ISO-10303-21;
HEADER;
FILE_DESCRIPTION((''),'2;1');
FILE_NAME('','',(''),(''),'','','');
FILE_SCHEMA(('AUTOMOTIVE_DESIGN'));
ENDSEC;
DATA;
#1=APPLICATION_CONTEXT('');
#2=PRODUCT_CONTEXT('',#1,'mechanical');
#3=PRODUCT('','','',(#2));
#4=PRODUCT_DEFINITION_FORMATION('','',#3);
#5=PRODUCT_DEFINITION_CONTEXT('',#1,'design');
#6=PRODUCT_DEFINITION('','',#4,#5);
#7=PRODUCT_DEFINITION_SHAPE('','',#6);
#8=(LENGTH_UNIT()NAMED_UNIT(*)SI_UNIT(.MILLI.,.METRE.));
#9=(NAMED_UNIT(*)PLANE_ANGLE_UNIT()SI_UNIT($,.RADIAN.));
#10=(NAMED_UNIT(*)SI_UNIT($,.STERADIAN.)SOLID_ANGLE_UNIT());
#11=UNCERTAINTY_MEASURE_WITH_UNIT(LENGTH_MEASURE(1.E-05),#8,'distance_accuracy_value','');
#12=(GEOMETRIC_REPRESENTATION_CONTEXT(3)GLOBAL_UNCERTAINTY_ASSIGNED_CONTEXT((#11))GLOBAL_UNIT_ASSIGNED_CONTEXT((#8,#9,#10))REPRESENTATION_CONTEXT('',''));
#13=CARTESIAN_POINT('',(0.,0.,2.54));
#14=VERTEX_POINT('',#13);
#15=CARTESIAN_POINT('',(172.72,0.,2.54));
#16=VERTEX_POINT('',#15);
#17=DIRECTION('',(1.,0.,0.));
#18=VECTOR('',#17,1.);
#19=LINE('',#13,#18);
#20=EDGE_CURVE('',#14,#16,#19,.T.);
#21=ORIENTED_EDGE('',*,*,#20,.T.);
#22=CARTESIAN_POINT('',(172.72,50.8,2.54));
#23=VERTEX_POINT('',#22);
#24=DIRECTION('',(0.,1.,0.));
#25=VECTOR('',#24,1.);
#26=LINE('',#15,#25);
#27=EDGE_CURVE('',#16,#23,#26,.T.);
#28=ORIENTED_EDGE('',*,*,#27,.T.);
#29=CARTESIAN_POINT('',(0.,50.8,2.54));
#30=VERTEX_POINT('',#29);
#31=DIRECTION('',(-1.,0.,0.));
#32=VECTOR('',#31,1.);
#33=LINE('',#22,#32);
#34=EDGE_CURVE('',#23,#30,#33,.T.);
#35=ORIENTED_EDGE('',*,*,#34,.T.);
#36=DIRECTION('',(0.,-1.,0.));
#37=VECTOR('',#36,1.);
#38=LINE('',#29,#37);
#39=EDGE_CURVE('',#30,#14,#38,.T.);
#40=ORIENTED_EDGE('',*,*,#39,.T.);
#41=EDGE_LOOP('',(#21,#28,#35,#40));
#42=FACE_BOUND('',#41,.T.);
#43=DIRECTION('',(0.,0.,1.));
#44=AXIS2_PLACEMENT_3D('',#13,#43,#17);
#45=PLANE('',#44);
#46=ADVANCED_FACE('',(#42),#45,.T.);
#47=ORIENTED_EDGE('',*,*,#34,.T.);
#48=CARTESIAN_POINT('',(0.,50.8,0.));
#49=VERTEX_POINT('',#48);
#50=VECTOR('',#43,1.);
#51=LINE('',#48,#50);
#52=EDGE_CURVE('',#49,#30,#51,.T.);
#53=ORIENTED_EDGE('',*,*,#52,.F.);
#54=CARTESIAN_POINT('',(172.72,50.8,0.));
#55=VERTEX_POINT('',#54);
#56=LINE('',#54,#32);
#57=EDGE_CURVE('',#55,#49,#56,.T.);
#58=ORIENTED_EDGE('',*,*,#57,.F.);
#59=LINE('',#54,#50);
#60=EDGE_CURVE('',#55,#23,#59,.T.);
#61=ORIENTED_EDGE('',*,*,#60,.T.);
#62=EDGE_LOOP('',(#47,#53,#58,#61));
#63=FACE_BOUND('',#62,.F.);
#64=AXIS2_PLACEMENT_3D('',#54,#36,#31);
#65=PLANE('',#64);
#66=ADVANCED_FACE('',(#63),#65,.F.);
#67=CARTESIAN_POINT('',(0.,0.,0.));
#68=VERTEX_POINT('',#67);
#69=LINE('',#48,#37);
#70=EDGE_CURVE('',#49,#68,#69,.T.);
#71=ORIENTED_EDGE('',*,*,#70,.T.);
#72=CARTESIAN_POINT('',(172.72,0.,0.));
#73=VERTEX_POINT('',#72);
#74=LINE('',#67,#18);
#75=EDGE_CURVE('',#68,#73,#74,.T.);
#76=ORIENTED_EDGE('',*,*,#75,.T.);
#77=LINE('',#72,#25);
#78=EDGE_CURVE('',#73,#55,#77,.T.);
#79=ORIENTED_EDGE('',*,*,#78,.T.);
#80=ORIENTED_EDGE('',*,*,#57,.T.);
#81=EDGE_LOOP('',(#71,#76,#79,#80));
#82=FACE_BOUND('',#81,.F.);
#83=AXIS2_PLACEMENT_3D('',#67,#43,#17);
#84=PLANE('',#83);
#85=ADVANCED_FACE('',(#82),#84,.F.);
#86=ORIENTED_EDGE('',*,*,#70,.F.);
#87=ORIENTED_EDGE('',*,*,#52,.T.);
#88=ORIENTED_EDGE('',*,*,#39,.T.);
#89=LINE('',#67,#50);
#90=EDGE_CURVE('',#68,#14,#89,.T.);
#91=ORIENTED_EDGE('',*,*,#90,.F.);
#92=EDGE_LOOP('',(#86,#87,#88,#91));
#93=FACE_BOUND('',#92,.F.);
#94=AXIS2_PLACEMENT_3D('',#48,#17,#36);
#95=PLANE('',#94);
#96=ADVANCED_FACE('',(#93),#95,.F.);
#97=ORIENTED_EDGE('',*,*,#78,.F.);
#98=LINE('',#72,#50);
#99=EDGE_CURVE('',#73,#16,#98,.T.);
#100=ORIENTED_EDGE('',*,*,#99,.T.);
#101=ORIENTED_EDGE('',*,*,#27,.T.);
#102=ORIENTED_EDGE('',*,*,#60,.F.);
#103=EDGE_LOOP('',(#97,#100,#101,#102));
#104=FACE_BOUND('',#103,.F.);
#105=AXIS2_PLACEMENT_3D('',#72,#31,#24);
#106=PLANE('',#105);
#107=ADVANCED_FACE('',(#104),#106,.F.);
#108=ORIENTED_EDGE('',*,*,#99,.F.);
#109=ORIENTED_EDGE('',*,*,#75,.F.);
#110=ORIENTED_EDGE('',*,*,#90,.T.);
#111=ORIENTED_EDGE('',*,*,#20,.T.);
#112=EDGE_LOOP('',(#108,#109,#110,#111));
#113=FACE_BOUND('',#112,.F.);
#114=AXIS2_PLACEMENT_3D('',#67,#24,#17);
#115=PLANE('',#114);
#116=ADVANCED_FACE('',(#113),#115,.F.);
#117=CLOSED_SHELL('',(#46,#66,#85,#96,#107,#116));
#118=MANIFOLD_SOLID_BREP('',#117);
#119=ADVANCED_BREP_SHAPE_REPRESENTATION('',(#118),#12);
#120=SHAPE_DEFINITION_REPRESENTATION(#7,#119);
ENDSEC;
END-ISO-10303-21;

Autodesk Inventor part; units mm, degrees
ref_plane "YZ Plane" through (0, 0, 0) normal (1, 0, 0) x (0, 1, 0)
ref_plane "XZ Plane" through (0, 0, 0) normal (0, 1, 0) x (-1, 0, 0)
ref_plane "XY Plane" through (0, 0, 0) normal (0, 0, 1) x (1, 0, 0)
sketch "Náčrt1" plane through (0, 0, 0) normal (0, 0, 1) x (1, 0, 0)
  line L0 (0, 0) -> (172.72, 0)
  line L1 (172.72, 0) -> (172.72, 50.8)
  line L2 (172.72, 50.8) -> (0, 50.8)
  line L3 (0, 50.8) -> (0, 0)
extrude "Vysunutí1" add sketch "Náčrt1" along normal blind 2.54
properties part number "NavCom_PCB"
